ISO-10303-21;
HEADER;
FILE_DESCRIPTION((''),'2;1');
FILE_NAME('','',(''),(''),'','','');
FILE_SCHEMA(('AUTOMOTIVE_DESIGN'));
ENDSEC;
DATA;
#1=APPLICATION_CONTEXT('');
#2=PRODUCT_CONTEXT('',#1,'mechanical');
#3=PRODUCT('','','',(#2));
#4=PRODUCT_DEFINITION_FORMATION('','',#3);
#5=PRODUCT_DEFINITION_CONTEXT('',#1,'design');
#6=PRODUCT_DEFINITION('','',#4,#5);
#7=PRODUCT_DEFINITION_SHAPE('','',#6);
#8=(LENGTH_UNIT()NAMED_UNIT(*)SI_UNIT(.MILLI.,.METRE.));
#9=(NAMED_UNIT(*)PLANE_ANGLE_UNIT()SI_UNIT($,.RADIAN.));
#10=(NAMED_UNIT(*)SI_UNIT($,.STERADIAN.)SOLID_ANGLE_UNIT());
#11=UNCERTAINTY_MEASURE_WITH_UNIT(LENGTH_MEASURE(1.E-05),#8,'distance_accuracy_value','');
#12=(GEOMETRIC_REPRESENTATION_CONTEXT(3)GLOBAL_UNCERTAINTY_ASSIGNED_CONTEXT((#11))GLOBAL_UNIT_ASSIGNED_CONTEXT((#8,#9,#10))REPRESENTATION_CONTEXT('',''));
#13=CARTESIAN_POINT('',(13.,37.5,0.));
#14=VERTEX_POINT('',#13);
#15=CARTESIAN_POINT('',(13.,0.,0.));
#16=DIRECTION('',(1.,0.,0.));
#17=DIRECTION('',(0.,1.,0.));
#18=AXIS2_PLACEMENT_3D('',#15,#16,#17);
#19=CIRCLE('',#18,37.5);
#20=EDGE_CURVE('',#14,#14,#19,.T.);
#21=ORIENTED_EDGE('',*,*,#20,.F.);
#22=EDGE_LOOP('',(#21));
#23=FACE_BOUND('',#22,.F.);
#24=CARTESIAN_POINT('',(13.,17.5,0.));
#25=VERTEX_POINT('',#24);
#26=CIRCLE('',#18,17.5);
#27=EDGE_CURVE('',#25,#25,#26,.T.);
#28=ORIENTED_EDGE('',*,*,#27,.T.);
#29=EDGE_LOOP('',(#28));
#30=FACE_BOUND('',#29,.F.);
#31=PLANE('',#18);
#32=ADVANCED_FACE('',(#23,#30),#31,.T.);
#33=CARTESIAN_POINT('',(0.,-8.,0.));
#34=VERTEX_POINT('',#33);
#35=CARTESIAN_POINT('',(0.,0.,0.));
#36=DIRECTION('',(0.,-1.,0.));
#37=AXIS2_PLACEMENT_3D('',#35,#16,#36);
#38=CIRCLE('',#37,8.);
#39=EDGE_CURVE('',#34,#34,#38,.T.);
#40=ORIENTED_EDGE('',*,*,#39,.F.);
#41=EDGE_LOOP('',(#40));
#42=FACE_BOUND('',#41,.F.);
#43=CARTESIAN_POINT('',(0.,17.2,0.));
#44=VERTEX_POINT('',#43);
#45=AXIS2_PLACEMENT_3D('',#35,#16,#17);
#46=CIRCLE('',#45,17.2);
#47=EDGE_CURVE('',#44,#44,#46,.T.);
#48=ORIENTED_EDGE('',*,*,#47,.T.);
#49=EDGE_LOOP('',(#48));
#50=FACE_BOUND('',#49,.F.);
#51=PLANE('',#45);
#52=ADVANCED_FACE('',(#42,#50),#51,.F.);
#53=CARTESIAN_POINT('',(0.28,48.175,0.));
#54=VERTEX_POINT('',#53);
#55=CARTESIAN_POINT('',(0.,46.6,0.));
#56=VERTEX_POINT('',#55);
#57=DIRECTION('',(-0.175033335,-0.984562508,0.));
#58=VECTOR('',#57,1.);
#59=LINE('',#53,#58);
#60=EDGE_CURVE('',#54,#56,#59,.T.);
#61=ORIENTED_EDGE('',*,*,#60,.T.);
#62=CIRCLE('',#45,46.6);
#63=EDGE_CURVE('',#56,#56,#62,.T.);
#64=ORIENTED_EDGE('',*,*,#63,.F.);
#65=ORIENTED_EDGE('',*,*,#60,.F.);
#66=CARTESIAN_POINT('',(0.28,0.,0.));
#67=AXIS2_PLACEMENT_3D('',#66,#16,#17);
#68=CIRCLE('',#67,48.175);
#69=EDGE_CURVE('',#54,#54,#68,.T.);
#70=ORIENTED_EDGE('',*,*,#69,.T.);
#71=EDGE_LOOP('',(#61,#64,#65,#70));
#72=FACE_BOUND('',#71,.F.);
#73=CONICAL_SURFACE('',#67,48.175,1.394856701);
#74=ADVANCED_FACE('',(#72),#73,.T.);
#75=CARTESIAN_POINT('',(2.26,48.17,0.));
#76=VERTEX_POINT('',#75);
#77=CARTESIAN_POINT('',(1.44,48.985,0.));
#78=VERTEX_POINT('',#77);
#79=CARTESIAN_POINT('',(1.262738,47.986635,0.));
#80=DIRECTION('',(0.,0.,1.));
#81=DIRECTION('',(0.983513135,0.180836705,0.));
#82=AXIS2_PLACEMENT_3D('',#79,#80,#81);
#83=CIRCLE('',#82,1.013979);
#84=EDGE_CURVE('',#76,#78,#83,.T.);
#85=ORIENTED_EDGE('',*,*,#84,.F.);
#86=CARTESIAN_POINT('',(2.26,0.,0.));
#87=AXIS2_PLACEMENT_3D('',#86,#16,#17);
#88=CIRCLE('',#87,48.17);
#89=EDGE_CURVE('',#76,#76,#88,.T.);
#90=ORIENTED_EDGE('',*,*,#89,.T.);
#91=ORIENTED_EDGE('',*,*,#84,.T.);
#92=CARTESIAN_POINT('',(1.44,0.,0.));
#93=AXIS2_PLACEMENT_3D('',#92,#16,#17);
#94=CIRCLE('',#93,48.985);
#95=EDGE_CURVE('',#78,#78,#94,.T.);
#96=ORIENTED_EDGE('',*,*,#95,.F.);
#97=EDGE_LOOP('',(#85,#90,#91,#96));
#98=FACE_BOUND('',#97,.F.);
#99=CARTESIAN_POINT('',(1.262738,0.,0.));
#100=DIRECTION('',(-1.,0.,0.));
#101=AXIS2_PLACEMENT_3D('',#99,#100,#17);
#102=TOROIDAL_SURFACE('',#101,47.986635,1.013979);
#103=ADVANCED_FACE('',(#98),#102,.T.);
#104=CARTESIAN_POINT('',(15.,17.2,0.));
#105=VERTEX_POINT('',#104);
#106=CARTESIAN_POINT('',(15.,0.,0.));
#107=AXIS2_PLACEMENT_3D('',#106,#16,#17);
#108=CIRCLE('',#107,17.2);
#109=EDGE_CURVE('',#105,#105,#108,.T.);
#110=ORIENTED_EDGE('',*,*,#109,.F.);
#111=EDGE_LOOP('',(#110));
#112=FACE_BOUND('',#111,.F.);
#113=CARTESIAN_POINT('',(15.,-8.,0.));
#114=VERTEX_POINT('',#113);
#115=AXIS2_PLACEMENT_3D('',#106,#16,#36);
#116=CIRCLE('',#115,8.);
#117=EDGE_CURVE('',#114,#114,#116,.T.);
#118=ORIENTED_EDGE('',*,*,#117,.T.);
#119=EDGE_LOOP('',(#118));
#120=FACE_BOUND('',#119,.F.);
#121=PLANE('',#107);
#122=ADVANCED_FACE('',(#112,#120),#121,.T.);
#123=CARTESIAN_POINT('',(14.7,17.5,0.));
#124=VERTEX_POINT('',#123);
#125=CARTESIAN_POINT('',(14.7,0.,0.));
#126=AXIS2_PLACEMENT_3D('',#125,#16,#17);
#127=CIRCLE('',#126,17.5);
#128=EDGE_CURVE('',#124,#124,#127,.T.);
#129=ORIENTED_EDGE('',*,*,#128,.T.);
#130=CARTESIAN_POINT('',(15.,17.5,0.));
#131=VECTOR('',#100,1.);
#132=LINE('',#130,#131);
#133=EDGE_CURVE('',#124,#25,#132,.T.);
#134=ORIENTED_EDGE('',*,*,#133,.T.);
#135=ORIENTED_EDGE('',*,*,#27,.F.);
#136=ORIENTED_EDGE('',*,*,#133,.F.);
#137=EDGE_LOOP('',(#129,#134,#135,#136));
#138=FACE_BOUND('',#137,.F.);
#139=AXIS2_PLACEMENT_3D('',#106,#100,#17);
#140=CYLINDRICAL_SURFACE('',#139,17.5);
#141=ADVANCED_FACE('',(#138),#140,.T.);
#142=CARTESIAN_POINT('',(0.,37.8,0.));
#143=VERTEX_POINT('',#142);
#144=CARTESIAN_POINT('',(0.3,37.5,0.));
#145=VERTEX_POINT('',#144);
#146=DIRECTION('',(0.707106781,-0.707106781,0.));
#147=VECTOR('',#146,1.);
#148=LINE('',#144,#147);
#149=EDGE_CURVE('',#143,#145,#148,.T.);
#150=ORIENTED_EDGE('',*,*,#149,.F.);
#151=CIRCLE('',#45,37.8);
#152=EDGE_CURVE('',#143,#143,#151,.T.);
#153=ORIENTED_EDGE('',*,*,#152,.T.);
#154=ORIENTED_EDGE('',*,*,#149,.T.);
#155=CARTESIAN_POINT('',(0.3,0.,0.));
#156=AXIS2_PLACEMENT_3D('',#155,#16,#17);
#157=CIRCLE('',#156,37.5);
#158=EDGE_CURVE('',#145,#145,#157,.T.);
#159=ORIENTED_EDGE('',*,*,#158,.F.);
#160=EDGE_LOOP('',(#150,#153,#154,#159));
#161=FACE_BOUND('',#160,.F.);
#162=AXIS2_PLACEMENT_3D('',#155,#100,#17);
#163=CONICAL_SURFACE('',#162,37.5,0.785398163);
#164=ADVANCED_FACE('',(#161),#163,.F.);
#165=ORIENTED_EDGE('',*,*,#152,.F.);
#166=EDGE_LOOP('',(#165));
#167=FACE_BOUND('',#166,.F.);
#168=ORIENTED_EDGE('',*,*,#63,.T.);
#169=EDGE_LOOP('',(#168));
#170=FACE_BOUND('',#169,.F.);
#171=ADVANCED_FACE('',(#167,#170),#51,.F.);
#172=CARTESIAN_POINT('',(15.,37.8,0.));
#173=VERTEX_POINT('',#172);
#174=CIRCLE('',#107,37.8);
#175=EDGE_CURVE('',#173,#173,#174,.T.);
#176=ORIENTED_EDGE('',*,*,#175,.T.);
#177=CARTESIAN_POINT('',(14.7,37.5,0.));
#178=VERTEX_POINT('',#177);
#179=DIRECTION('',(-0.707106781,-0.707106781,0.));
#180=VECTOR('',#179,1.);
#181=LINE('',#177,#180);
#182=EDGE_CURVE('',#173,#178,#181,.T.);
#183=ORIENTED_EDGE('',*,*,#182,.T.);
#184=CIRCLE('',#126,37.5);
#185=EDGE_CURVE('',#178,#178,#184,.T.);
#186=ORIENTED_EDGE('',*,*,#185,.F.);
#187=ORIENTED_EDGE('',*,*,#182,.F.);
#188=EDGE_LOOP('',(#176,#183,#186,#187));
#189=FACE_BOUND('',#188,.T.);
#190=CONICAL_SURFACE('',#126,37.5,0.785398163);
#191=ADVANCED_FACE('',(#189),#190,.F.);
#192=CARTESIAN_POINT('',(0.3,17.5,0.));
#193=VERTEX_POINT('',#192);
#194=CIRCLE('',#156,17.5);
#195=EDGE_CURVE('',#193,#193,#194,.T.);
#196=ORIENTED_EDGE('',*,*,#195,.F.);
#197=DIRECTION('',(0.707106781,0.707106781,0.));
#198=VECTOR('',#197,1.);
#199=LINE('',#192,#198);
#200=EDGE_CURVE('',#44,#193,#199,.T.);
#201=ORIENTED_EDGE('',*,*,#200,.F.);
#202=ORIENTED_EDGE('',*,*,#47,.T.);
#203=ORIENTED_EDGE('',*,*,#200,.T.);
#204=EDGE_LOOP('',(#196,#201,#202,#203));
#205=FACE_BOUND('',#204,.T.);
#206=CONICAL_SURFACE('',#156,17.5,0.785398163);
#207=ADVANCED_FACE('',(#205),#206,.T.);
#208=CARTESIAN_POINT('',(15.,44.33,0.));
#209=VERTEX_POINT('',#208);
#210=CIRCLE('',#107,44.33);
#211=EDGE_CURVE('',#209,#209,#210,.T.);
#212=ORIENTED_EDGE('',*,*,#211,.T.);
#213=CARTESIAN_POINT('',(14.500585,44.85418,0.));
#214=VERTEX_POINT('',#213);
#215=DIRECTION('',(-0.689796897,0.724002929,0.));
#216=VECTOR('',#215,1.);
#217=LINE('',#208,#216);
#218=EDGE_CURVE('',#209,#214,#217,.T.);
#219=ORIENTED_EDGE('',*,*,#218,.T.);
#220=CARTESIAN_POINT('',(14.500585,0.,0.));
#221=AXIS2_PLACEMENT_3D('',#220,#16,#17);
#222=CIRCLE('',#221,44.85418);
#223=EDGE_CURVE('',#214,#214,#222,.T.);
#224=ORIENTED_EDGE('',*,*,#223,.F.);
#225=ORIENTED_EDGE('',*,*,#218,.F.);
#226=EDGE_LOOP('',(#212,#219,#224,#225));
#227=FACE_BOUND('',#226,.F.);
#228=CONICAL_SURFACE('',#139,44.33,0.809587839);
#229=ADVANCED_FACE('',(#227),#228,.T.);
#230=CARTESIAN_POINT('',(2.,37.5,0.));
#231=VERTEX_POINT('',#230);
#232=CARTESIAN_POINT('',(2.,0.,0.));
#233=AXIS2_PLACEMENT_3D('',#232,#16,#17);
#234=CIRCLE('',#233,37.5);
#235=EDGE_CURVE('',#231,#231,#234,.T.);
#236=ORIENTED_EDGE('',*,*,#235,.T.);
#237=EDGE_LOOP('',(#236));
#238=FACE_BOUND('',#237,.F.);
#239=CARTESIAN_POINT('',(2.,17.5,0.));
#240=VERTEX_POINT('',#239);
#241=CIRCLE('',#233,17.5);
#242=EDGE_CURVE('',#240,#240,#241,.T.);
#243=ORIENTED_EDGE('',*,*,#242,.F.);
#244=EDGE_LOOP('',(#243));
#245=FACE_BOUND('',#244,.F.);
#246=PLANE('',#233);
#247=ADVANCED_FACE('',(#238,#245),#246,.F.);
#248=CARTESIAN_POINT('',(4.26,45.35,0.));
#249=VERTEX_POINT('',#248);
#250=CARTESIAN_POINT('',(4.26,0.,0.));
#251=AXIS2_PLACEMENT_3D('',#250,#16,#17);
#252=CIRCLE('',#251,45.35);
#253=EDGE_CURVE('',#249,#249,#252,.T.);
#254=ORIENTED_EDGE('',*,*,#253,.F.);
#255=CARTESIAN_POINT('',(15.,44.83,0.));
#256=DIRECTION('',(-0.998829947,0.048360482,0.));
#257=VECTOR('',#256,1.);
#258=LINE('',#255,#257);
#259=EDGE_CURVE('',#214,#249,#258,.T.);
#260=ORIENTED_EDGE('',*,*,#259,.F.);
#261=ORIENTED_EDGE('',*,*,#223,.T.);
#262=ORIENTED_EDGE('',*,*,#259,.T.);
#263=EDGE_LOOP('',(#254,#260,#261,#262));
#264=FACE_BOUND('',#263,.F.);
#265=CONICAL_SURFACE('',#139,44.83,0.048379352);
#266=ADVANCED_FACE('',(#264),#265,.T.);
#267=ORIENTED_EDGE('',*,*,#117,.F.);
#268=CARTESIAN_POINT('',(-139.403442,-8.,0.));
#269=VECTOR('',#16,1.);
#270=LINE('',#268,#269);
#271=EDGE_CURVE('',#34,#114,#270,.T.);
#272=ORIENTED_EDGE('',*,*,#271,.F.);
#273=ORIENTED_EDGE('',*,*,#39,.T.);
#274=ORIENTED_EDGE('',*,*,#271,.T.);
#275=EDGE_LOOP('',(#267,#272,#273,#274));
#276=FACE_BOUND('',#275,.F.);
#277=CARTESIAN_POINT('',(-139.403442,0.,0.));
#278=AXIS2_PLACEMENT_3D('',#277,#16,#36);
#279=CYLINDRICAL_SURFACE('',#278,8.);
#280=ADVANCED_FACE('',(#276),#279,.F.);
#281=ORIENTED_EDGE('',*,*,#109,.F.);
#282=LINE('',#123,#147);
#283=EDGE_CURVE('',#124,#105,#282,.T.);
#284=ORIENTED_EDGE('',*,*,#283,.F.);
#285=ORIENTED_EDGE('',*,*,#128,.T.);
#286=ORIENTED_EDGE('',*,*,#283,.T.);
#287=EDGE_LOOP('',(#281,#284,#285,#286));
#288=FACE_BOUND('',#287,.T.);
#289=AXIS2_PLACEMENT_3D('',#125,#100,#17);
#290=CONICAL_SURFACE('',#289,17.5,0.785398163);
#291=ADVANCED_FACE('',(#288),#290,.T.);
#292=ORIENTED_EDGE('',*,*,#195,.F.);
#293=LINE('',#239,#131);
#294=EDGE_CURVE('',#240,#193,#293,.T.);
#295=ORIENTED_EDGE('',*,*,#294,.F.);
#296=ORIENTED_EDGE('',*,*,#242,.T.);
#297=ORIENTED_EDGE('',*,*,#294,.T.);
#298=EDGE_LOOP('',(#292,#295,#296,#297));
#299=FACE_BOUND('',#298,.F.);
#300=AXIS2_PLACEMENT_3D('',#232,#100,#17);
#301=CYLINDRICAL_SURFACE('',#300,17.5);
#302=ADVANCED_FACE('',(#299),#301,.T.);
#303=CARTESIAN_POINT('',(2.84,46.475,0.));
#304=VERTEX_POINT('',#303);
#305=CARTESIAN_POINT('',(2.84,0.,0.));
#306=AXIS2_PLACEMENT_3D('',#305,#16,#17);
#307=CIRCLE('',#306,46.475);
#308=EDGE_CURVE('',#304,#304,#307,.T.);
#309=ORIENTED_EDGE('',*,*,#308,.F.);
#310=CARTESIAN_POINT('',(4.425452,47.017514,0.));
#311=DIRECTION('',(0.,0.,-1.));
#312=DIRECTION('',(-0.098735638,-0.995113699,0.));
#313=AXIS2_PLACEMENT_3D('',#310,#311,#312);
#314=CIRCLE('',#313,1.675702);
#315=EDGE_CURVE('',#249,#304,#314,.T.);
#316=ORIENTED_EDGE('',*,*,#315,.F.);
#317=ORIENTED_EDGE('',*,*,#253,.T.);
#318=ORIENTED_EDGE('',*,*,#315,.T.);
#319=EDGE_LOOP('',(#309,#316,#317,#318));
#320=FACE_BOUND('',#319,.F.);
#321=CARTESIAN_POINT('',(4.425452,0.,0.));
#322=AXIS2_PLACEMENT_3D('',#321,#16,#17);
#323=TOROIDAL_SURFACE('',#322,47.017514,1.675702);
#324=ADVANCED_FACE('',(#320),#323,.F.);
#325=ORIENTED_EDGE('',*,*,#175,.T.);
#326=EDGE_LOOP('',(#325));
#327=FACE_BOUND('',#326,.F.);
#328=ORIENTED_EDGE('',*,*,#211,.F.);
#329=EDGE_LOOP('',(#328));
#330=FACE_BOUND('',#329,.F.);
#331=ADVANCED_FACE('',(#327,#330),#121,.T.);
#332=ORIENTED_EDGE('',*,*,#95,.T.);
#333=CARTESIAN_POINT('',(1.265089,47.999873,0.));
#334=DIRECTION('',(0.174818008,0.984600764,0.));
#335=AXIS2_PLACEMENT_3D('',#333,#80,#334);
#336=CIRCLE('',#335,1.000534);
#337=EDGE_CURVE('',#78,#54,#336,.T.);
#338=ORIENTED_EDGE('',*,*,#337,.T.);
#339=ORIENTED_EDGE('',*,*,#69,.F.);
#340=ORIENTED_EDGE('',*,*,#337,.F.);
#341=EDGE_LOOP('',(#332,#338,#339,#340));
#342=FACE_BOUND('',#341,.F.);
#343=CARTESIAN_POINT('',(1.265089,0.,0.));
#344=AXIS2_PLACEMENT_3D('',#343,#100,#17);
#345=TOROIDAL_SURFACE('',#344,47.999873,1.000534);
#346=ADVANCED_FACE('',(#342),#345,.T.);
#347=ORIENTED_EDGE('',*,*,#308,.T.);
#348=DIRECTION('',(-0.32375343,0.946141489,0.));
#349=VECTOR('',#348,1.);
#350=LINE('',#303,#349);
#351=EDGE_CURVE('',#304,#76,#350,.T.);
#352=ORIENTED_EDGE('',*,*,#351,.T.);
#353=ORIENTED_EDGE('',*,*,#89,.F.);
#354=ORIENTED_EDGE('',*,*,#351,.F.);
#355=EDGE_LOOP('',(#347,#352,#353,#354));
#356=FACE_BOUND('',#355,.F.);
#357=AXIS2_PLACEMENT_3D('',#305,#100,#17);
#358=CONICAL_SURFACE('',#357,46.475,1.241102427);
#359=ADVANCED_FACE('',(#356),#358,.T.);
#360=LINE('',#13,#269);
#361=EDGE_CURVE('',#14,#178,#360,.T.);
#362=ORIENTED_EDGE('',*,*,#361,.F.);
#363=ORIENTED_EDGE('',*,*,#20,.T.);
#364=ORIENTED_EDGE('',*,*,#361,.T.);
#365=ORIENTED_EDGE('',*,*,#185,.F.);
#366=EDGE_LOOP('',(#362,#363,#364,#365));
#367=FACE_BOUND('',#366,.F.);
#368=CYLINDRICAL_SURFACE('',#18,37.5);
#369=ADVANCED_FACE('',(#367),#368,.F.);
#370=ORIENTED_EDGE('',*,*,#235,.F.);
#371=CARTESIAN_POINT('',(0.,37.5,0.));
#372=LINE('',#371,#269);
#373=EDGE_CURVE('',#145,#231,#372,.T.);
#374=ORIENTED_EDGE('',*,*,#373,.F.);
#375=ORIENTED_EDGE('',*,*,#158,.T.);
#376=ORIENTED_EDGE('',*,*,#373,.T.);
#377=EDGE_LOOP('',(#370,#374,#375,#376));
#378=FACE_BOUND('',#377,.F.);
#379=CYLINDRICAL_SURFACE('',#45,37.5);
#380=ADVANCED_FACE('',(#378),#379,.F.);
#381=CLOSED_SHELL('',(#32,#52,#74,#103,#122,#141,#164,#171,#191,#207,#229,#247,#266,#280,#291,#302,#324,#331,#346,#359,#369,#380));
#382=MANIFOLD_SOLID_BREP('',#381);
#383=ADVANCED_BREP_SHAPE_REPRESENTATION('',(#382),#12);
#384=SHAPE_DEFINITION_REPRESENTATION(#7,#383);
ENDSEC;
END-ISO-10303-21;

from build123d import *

# Parameters (mm, degrees)
F2_SIZE = 0.5
F4_D    = 16
F5_SIZE = 0.3


with BuildPart() as f1:
    # F0 (on Top) → F1 (revolve)
    with BuildSketch(Plane.XY):
        with BuildLine():
            Line((0, 17.5), (0, 0))
            Line((0, 0), (15, 0))
            Line((15, 0), (15, 17.5))
            Line((15, 17.5), (13, 17.5))
            Line((13, 17.5), (13, 37.5))
            Line((13, 37.5), (15, 37.5))
            Line((15, 37.5), (15, 44.83))
            Line((15, 44.83), (4.26, 45.35))
            ThreePointArc((4.26, 45.35), (3.3848643751, 45.7040621445), (2.84, 46.475))
            Line((2.84, 46.475), (2.26, 48.17))
            ThreePointArc((2.26, 48.17), (1.9775337426, 48.7058161582), (1.44, 48.985))
            ThreePointArc((1.44, 48.985), (0.6922694491, 48.8202067149), (0.28, 48.175))
            Line((0.28, 48.175), (0, 46.6))
            Line((0, 46.6), (0, 37.5))
            Line((0, 37.5), (2, 37.5))
            Line((2, 37.5), (2, 17.5))
            Line((2, 17.5), (0, 17.5))
        make_face()
    revolve(axis=Axis((7.5, 0, 0), (1, 0, 0)))

    # F2
    f2_edges = [f1.edges().sort_by_distance(p)[0] for p in [
        (15, -44.83, 0),
    ]]
    chamfer(f2_edges, length=F2_SIZE)

    # F4 (through all)
    with Locations(Plane(origin=(0, 0, 0), x_dir=(0, 1, 0), z_dir=(-1, 0, 0))):
        with Locations((0, 0)):
            Hole(F4_D / 2)

    # F5
    f5_edges = [f1.edges().sort_by_distance(p)[0] for p in [
        (15, -37.5, 0),
        (15, -17.5, 0),
        (0, -17.5, 0),
        (0, -37.5, 0),
    ]]
    chamfer(f5_edges, length=F5_SIZE)


solid = f1.part
